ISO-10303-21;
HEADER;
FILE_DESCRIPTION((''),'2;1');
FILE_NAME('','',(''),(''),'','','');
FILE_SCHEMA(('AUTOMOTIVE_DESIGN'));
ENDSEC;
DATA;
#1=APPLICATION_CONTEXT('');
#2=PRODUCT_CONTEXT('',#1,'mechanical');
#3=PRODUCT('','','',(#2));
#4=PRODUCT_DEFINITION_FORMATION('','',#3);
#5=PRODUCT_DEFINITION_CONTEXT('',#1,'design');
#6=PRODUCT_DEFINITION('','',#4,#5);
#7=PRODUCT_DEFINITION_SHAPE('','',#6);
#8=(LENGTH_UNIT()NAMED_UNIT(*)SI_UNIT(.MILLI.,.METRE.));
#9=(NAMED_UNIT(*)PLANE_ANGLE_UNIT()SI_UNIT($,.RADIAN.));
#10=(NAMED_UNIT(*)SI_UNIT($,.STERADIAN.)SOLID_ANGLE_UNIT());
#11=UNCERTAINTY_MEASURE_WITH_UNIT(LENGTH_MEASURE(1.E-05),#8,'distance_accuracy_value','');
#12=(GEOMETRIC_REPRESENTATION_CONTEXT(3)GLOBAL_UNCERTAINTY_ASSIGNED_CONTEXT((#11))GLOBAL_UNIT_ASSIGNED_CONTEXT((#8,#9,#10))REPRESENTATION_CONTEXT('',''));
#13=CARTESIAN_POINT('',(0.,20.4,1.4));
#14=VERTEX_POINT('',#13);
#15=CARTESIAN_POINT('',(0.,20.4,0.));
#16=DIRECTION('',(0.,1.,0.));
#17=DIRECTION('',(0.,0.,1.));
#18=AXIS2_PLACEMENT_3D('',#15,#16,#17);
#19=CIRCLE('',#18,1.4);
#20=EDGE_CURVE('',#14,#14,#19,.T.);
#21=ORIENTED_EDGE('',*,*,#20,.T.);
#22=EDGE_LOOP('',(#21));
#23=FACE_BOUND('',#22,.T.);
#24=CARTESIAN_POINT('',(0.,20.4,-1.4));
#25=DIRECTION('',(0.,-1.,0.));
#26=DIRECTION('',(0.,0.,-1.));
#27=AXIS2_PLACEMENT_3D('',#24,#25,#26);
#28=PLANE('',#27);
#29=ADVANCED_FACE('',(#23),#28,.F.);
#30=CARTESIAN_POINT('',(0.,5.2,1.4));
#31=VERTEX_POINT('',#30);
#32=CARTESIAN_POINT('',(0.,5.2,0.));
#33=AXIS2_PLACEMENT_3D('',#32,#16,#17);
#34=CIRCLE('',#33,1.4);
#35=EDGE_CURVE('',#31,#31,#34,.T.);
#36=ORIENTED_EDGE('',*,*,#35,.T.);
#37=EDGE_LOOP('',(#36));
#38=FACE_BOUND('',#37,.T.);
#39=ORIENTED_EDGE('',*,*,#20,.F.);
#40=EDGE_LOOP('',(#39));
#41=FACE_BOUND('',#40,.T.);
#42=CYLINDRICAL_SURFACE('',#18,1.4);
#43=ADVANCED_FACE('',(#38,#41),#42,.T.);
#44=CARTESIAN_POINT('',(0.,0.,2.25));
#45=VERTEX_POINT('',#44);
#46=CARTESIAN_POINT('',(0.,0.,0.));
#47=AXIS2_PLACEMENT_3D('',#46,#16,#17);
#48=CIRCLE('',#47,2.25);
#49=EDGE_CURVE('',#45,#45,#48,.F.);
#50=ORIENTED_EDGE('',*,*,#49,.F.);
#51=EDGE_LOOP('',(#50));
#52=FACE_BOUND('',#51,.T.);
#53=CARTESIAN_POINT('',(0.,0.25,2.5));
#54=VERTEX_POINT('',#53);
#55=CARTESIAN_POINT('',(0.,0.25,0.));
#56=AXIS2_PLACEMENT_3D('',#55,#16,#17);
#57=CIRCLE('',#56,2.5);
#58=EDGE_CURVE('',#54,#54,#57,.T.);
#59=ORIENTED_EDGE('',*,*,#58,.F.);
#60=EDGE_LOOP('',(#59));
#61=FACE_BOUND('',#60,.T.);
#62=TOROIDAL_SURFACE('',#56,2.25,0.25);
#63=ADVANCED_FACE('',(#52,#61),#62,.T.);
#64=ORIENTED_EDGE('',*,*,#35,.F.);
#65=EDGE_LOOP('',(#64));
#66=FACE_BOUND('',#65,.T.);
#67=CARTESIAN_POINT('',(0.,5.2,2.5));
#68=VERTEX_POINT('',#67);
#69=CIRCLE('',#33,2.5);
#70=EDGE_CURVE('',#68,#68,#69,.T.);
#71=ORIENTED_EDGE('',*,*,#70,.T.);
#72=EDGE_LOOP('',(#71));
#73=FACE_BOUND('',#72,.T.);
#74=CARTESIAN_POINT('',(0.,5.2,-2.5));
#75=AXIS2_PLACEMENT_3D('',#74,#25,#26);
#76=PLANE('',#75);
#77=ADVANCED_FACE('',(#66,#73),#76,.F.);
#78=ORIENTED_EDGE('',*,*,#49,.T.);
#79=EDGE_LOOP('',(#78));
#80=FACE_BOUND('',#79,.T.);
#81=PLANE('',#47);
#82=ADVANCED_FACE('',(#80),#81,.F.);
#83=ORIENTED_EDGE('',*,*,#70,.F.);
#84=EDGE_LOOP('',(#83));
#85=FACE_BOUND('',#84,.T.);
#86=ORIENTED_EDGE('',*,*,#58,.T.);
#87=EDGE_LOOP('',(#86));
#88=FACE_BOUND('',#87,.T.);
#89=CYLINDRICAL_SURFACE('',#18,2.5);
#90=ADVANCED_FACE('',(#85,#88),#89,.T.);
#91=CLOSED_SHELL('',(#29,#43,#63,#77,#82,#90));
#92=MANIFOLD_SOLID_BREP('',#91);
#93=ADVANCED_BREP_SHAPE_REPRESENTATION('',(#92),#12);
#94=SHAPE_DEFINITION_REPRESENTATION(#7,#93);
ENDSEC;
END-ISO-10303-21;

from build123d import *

# Parameters (mm, degrees)
FILLET1_R = 0.25


with BuildPart() as part:
    # Sketch2 → Revolve1 (revolve)
    with BuildSketch(Plane(origin=(0, 0, 0), x_dir=(0, 0, -1), z_dir=(1, 0, 0))):
        Polygon((0, 0), (2.5, 0), (2.5, 5.2), (1.4, 5.2), (1.4, 20.4), (0, 20.4), align=None)
    revolve(axis=Axis((0, 20.4, 0), (0, -1, 0)))

    # Fillet1
    fillet1_edges = [part.edges().sort_by_distance(p)[0] for p in [
        (0, 0, 2.5),
    ]]
    fillet(fillet1_edges, radius=FILLET1_R)


solid = part.part
